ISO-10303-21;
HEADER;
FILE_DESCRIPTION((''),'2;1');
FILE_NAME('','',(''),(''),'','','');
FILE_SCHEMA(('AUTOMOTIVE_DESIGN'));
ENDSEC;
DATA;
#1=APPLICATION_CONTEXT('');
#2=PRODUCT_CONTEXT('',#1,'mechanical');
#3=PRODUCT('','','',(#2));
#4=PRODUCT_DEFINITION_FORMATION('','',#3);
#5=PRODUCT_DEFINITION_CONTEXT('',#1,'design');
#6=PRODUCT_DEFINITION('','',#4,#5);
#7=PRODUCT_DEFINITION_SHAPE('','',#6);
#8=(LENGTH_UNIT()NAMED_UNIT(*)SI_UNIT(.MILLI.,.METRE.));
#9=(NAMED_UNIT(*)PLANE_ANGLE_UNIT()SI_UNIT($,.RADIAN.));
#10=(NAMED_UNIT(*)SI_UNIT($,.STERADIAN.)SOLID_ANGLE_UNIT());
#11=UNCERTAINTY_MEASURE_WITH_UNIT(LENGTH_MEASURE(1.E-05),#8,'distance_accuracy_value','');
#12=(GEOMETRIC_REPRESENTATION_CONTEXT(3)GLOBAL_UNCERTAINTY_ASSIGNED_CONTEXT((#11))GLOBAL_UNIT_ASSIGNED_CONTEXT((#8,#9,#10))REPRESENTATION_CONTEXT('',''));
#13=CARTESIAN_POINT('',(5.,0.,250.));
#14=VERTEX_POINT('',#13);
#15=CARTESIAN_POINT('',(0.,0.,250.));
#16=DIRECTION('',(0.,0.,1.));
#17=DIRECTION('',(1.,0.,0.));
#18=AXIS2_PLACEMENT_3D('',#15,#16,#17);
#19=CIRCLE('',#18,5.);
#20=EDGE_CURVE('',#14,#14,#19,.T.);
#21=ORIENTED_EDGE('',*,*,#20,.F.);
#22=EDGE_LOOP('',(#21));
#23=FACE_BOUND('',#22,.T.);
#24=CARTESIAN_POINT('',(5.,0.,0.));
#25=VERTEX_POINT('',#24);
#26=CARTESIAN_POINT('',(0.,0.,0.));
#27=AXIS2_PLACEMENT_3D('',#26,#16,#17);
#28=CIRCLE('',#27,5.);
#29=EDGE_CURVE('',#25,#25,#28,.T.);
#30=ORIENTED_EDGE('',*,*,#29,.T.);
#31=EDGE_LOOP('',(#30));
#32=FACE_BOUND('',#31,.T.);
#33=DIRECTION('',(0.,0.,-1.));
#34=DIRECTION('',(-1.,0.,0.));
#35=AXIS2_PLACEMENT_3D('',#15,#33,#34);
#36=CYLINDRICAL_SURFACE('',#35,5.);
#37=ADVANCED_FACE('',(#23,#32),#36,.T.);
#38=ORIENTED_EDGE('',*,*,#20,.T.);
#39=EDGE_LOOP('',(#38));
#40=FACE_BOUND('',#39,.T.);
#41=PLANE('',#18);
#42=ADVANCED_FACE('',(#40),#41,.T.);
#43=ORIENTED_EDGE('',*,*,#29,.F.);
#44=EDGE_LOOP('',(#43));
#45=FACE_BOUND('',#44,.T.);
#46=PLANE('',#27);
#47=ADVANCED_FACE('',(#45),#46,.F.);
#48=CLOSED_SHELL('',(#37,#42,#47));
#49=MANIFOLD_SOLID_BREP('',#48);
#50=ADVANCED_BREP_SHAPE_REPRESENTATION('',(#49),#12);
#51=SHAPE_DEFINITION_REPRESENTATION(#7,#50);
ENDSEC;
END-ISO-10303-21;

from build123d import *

# Parameters (mm, degrees)
CROQUIS1_R              = 5
SALIENTE_EXTRUIR1_DEPTH = 250


with BuildPart() as part:
    # Croquis1 → Saliente-Extruir1 (new body)
    with BuildSketch(Plane.XY):
        Circle(CROQUIS1_R)
    extrude(amount=SALIENTE_EXTRUIR1_DEPTH)


solid = part.part
